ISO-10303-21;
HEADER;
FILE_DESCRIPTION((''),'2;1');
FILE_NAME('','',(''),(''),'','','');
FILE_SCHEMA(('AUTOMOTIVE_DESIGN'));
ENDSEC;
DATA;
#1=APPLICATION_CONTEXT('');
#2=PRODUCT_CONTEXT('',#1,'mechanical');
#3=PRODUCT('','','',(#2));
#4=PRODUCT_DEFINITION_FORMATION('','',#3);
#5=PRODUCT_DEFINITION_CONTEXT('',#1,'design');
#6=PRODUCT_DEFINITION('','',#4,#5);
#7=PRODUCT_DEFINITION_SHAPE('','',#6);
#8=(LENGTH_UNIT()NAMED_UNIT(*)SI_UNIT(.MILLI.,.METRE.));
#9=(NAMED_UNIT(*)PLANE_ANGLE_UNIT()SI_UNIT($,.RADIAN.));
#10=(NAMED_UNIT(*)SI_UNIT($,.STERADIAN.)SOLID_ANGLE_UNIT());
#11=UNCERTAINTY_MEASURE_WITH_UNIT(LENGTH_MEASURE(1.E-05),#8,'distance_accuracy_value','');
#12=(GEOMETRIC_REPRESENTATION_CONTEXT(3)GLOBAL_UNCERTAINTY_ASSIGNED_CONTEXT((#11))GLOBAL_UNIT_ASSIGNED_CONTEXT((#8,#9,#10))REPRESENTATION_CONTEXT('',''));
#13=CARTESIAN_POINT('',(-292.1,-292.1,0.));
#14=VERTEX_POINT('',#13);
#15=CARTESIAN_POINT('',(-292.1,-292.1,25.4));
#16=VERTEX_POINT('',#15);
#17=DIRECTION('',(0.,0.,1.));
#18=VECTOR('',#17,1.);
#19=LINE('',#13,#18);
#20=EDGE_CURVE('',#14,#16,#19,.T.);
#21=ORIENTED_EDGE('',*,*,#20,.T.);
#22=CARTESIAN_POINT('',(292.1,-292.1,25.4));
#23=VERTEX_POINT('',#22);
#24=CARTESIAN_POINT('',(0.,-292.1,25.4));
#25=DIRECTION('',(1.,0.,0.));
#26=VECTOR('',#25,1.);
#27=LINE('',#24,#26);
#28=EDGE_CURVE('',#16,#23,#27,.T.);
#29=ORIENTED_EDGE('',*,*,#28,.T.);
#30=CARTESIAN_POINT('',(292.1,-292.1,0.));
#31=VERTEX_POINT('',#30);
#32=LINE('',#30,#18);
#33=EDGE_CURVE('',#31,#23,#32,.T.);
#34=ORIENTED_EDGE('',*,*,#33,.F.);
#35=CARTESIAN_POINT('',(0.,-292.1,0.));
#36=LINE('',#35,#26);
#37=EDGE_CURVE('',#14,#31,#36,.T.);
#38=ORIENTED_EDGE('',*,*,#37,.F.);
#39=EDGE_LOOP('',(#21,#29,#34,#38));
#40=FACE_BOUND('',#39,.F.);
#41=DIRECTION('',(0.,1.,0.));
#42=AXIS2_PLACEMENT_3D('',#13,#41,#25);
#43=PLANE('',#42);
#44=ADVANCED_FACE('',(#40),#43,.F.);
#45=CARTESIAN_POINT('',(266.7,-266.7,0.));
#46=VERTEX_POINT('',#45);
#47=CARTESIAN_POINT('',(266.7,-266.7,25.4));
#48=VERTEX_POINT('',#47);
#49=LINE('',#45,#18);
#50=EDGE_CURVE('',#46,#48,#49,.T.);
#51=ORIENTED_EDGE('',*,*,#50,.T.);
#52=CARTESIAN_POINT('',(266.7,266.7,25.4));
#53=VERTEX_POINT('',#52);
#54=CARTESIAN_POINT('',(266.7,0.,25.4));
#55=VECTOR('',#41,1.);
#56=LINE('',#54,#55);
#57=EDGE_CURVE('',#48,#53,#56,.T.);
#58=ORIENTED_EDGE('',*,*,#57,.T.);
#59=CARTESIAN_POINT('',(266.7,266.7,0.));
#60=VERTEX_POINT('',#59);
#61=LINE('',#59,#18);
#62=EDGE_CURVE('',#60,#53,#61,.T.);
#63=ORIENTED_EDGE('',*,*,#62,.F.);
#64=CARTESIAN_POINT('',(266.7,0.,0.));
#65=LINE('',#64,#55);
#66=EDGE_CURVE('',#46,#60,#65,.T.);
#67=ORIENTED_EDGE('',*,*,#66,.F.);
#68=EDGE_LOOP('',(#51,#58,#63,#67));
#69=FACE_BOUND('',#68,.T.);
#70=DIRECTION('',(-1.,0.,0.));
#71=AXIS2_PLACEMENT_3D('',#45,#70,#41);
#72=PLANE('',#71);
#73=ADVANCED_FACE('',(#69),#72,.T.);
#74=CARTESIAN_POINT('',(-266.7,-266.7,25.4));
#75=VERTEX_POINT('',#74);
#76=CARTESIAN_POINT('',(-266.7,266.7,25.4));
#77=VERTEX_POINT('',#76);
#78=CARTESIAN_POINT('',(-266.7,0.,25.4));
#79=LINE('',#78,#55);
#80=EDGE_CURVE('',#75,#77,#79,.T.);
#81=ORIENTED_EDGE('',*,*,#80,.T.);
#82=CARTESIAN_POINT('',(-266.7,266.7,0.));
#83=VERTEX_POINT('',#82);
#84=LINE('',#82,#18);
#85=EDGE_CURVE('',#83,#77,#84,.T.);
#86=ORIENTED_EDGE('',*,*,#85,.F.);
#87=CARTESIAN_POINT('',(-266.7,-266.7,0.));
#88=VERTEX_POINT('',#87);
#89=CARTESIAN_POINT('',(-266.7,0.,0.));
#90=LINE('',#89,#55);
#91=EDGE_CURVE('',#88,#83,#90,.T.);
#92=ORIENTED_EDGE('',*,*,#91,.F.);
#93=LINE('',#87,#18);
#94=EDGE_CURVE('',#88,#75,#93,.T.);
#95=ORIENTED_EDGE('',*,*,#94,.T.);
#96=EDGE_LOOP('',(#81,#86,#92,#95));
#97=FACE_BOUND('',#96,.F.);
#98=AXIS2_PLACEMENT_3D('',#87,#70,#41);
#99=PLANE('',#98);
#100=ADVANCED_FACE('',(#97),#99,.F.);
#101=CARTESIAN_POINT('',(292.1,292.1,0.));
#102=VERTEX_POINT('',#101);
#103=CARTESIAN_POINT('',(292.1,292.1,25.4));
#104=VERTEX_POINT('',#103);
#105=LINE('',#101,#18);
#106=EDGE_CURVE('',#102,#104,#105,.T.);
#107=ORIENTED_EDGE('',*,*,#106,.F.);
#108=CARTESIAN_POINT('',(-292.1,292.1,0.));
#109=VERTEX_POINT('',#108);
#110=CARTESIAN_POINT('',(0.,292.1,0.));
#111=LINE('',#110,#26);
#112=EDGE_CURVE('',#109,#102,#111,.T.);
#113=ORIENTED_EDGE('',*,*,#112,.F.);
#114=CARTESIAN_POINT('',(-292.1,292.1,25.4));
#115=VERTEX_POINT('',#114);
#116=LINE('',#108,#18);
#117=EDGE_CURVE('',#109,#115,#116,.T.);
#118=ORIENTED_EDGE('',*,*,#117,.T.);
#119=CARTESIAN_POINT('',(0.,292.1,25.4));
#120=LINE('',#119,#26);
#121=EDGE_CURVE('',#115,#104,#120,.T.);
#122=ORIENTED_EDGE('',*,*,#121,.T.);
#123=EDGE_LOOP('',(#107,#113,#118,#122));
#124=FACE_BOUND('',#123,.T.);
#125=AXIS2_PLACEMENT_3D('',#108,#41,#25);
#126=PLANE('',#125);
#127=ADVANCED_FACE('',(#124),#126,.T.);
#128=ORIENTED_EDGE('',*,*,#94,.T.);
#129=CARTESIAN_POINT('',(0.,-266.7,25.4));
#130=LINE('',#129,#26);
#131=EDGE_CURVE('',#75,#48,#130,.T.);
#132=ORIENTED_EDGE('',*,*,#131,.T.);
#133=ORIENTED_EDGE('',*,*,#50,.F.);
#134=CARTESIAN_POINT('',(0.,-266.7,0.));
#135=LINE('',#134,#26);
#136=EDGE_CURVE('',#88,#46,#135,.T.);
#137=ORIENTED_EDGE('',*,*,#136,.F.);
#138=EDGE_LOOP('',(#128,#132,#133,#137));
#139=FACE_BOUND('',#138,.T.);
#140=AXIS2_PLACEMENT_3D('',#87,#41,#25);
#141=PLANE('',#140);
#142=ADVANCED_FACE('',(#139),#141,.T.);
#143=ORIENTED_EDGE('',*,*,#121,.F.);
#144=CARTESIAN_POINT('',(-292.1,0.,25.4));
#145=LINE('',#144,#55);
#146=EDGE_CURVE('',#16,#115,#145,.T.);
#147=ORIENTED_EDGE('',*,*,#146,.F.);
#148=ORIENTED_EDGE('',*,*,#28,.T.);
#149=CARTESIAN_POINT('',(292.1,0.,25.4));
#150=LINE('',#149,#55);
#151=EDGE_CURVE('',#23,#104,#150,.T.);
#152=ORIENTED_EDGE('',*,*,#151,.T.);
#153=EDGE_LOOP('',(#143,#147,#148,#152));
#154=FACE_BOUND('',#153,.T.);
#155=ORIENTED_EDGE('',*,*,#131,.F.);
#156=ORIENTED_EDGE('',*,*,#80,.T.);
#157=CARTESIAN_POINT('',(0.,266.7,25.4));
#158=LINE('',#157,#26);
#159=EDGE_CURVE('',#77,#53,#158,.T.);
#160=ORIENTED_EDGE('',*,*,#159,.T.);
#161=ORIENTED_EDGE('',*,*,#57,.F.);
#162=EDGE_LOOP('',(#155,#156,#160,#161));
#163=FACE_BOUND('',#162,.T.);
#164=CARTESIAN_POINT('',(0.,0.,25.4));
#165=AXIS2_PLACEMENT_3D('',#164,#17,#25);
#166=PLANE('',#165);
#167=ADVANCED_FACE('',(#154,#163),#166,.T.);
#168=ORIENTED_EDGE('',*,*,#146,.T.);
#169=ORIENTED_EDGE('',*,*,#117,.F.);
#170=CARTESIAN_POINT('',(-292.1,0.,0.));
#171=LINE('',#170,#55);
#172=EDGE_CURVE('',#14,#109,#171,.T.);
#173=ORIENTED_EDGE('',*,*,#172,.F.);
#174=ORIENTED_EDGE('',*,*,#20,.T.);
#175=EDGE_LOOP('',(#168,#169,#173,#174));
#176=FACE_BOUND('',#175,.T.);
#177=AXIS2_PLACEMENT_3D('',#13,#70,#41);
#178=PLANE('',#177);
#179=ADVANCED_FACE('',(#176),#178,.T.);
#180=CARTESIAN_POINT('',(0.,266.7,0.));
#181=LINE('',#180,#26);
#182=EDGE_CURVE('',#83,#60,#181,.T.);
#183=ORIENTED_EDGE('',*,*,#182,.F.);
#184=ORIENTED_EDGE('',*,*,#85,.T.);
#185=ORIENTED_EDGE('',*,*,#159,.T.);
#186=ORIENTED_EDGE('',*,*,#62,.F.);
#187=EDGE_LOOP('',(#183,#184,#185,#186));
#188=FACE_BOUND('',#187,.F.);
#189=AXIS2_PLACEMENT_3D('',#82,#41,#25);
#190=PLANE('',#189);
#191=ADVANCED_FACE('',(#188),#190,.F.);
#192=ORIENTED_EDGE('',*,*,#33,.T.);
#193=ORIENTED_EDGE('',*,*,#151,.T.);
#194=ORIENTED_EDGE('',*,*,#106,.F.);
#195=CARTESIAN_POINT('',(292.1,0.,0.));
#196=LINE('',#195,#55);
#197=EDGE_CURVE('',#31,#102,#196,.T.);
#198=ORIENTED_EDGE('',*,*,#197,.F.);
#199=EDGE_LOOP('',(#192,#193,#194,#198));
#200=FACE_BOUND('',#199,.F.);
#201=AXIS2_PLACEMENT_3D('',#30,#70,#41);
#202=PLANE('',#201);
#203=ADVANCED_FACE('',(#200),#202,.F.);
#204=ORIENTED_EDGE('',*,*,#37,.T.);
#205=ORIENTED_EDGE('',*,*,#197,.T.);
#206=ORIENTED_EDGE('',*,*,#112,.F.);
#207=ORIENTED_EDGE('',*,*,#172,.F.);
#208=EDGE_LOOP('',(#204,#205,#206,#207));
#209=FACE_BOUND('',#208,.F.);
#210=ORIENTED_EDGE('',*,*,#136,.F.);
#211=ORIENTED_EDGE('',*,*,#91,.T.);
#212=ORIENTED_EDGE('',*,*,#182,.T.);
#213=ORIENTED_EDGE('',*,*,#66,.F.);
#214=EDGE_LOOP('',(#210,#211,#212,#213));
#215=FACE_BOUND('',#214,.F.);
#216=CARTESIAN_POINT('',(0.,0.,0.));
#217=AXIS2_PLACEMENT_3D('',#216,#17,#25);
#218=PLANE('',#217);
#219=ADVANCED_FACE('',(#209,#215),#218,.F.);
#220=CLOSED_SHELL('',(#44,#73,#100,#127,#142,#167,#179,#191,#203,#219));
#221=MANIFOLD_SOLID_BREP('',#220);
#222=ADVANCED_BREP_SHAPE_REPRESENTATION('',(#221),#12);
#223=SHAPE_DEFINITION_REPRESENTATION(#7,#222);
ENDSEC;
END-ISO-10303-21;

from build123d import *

# Parameters (mm, degrees)
F0_W     = 584.2
F0_H     = 584.2
F0_W_2   = 533.4
F0_H_2   = 533.4
F1_DEPTH = 25.4


with BuildPart() as f1:
    # F0 (on Top) → F1 (new body)
    with BuildSketch(Plane.XY):
        Rectangle(F0_W, F0_H)
        Rectangle(F0_W_2, F0_H_2, mode=Mode.SUBTRACT)
    extrude(amount=F1_DEPTH)


solid = f1.part
